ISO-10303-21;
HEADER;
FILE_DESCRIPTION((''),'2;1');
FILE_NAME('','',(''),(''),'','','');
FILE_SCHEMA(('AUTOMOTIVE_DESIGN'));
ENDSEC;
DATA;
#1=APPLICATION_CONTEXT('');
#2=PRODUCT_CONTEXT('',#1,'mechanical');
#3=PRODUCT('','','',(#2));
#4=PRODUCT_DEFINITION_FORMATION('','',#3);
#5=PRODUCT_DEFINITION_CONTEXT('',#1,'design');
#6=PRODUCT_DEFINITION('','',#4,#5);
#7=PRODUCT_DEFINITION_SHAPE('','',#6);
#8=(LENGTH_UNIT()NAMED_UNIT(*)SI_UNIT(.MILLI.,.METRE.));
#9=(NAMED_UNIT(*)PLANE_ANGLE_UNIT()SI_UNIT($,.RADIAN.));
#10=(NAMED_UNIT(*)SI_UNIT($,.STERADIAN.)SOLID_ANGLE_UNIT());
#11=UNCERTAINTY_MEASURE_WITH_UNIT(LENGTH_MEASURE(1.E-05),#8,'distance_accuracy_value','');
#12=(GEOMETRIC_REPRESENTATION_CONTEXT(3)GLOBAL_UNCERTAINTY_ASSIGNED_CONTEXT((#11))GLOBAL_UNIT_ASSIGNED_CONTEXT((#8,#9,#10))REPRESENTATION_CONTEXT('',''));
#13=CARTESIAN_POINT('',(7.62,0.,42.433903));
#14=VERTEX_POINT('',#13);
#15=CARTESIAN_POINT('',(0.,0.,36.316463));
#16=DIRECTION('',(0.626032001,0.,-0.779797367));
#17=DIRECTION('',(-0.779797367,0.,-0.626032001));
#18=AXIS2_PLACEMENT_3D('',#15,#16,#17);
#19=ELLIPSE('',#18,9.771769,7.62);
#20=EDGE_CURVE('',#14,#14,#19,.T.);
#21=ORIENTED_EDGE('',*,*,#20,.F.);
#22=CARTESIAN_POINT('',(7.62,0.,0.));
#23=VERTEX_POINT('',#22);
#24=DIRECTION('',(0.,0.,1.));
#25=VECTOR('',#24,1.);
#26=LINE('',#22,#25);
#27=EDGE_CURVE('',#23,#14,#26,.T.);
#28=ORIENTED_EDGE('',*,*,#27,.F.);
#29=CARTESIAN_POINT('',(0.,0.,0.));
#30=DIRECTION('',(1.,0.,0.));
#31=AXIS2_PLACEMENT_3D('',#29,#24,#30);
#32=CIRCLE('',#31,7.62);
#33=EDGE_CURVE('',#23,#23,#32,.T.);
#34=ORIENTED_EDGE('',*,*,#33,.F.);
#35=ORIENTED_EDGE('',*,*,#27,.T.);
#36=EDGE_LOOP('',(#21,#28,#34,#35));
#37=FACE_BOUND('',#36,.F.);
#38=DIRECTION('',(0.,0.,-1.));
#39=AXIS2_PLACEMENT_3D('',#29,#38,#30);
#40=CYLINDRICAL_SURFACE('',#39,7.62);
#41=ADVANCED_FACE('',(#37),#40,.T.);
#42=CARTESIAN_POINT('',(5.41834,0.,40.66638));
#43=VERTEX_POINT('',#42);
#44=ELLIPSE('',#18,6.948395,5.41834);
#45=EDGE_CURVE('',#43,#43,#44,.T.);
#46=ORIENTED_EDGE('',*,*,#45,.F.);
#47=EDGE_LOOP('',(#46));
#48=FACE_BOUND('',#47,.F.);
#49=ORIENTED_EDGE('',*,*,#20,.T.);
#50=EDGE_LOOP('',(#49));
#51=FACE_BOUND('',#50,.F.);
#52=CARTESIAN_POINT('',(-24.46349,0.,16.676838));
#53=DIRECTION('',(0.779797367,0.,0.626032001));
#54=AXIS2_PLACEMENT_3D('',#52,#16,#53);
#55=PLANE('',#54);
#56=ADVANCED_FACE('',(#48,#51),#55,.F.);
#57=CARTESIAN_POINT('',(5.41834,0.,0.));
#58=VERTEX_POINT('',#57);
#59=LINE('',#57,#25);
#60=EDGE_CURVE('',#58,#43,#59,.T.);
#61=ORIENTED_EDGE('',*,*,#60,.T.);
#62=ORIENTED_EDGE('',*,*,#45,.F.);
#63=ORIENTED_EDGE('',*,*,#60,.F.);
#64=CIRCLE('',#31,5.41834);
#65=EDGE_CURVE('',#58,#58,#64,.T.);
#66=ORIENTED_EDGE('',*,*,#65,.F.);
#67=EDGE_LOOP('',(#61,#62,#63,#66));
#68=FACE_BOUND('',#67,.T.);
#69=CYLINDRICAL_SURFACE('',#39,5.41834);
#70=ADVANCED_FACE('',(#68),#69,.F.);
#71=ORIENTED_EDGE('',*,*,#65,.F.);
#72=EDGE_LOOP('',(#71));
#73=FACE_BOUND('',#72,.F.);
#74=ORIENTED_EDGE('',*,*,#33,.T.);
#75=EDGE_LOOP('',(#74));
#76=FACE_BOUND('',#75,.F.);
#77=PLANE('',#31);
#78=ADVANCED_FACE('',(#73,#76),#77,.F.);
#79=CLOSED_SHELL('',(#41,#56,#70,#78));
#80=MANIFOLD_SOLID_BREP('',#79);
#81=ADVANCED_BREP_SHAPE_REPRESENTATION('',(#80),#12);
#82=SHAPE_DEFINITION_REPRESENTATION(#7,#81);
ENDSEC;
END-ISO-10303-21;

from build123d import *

# Parameters (mm, degrees)
F0_R     = 7.62
F0_R_2   = 5.41834
F1_DEPTH = 45.72
F3_DEPTH = 12.7


with BuildPart() as f1:
    # F0 (on Top) → F1 (new body)
    with BuildSketch(Plane.XY):
        Circle(F0_R)
        Circle(F0_R_2, mode=Mode.SUBTRACT)
    extrude(amount=F1_DEPTH)

    # F2 (on Front) → F3 (cut, symmetric)
    with BuildSketch(Plane.XZ):
        Polygon((-24.46349, 16.676838), (19.292864, 51.805038), (-24.46349, 51.805038), align=None)
    extrude(amount=F3_DEPTH, both=True, mode=Mode.SUBTRACT)


solid = f1.part
